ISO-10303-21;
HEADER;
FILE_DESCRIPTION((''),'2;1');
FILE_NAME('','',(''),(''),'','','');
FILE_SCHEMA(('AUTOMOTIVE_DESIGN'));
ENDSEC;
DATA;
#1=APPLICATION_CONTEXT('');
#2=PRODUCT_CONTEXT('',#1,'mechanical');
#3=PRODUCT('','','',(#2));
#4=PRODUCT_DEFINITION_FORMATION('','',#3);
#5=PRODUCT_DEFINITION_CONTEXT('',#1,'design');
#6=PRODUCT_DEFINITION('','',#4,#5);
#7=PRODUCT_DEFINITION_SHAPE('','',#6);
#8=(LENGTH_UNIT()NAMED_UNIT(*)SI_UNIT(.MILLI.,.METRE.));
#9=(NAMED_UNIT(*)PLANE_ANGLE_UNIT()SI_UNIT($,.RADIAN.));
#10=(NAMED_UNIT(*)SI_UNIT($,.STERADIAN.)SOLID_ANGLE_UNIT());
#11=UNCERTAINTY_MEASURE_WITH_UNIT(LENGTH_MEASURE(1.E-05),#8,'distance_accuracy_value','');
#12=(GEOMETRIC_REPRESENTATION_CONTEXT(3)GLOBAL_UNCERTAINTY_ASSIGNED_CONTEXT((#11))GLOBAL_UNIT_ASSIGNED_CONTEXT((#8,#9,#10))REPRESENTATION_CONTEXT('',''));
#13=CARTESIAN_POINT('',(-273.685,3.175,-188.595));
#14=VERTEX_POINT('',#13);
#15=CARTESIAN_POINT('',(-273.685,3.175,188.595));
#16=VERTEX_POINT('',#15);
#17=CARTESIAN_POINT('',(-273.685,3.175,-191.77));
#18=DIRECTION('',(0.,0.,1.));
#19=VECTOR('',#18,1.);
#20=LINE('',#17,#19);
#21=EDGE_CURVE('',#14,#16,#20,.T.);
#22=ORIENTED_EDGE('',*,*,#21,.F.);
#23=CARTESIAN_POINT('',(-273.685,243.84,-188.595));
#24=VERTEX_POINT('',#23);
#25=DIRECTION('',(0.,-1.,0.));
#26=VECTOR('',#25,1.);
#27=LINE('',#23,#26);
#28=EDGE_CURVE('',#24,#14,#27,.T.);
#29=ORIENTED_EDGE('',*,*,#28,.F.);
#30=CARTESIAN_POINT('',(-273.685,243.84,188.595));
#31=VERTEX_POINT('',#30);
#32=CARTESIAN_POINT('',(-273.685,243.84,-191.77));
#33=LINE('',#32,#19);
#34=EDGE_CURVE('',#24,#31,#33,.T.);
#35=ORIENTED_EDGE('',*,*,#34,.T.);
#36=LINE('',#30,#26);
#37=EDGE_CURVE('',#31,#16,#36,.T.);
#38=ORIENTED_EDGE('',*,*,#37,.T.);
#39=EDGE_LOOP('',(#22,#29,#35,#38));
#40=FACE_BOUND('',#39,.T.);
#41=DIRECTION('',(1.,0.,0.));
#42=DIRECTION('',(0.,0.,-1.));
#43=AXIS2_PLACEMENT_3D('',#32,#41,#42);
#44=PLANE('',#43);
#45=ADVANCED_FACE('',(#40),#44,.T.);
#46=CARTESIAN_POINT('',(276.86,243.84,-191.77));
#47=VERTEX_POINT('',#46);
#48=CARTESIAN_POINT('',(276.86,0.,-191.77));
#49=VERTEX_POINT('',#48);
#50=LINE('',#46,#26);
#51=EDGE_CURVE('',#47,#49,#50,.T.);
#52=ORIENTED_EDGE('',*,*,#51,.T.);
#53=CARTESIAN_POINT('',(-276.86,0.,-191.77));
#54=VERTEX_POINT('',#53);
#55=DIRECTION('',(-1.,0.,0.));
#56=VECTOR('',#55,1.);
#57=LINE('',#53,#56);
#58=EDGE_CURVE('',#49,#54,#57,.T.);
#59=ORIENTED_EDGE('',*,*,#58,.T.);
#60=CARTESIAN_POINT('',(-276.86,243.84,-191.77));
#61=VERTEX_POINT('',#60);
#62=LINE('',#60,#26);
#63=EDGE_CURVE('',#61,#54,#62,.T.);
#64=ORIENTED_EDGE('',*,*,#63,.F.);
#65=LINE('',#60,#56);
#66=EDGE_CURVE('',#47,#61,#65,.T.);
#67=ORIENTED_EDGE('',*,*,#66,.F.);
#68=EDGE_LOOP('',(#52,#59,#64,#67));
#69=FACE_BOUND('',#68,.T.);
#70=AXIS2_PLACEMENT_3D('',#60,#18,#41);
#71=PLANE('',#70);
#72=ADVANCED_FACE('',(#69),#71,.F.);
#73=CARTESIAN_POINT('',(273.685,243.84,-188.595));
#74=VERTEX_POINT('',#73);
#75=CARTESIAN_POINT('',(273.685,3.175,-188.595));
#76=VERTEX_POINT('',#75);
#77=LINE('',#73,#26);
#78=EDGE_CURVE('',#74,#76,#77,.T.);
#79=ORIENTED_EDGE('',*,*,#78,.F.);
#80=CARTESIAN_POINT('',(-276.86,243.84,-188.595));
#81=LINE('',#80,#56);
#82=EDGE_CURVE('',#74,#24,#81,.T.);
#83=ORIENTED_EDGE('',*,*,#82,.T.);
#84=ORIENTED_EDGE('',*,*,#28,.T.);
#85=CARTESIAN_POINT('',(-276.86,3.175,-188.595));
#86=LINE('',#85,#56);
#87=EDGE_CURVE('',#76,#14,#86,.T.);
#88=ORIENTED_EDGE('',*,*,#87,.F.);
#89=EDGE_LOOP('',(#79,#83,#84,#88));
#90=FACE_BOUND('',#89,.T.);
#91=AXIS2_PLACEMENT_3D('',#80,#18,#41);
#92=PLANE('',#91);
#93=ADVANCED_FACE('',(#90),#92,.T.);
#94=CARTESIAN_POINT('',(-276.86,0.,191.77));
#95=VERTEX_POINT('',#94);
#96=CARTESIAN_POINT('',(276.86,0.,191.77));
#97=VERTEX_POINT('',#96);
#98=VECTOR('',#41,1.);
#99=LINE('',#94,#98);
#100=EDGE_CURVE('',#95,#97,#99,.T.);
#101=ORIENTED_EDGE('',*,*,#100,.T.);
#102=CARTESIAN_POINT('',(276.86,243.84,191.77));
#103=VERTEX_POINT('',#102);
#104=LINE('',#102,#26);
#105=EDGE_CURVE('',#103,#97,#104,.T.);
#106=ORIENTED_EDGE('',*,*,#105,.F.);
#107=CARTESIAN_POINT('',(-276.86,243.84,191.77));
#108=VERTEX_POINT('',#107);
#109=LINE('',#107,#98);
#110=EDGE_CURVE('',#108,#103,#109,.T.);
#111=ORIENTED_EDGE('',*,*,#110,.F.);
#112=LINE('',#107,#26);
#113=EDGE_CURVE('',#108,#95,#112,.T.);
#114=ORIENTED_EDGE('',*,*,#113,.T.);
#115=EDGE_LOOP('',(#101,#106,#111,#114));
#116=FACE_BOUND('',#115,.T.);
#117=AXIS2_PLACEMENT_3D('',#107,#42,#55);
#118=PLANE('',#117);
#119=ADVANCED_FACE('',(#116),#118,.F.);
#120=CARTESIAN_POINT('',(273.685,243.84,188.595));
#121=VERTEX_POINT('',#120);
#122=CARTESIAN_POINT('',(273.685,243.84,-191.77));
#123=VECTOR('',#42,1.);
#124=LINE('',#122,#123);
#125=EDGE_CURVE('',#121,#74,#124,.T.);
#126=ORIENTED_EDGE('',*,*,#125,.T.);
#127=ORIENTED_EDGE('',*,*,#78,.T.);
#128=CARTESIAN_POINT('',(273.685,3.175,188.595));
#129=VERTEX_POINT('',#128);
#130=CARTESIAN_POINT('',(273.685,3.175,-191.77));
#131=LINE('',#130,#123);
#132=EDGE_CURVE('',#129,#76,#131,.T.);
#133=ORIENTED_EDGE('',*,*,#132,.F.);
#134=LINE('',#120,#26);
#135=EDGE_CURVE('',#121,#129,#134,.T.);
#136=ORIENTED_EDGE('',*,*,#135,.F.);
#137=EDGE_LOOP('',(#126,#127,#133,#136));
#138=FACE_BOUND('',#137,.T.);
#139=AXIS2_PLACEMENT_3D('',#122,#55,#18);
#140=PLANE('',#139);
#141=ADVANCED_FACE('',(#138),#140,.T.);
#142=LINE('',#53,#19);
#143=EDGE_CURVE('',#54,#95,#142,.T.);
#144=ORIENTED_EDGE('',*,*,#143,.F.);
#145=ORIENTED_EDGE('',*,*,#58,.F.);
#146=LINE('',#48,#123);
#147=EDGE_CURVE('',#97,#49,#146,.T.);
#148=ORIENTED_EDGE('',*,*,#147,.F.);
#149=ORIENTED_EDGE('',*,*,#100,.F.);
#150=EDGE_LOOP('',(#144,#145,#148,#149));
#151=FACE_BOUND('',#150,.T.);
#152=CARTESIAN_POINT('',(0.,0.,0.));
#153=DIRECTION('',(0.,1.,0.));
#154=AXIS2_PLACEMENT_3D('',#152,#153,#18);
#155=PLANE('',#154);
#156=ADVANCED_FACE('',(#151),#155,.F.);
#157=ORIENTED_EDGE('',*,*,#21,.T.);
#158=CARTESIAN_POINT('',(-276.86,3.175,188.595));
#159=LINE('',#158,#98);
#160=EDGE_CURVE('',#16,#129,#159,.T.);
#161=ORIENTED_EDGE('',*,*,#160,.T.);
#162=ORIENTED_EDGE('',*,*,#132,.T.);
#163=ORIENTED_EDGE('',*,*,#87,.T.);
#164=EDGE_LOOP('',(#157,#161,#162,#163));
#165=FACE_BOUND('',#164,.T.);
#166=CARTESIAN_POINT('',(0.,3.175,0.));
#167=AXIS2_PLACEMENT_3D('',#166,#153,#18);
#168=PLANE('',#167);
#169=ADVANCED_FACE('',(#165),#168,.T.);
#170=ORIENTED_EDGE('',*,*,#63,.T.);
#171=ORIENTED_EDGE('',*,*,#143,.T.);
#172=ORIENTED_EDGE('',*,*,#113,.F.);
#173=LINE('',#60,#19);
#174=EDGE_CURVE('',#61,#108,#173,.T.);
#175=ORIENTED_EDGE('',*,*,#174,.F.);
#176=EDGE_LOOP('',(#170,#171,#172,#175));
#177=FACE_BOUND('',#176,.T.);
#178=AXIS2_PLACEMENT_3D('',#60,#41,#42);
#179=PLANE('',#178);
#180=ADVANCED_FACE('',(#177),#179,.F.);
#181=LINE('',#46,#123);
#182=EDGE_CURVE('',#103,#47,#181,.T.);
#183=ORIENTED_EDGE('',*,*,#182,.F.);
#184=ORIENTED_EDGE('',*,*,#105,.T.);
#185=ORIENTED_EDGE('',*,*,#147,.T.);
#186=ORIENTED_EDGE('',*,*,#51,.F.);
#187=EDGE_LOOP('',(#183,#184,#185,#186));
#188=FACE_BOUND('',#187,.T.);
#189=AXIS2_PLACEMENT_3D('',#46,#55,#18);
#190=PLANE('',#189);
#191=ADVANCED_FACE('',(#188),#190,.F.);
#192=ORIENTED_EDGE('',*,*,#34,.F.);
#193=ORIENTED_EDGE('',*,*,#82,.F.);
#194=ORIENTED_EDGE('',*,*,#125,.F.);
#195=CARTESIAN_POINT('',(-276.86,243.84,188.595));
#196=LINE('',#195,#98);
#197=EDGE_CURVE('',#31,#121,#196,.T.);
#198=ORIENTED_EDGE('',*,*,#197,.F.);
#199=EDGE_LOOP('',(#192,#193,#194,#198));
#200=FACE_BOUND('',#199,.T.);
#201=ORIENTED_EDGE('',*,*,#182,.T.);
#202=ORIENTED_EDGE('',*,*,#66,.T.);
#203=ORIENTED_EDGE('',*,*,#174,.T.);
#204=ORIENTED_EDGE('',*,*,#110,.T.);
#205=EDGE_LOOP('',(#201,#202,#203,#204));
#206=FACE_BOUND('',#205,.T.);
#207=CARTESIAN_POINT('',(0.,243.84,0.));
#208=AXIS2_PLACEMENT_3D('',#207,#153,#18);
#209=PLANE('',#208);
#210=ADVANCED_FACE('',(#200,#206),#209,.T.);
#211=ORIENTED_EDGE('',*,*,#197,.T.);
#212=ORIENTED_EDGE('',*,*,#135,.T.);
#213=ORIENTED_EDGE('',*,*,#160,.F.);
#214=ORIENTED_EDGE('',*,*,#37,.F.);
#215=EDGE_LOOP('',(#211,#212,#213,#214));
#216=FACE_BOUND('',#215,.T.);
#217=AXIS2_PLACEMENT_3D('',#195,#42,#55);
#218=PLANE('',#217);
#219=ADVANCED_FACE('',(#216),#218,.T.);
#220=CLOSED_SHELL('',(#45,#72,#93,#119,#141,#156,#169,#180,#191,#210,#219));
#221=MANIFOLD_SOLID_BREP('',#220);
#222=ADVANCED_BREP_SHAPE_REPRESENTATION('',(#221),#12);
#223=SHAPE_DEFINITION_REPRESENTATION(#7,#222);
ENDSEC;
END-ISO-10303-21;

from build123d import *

# Parameters (mm, degrees)
SKETCH1_W           = 553.72
SKETCH1_H           = 383.54
BOSS_EXTRUDE1_DEPTH = 243.84
SHELL1_T            = -3.175


with BuildPart() as part:
    # Sketch1 → Boss-Extrude1 (new body)
    with BuildSketch(Plane(origin=(0, 0, 0), x_dir=(1, 0, 0), z_dir=(0, 1, 0))):
        Rectangle(SKETCH1_W, SKETCH1_H)
    extrude(amount=BOSS_EXTRUDE1_DEPTH)

    # Shell1
    shell1_openings = [part.faces().sort_by_distance(p)[0] for p in [
        (0, 243.84, 0),
    ]]
    offset(amount=SHELL1_T, openings=shell1_openings, kind=Kind.INTERSECTION)


solid = part.part
